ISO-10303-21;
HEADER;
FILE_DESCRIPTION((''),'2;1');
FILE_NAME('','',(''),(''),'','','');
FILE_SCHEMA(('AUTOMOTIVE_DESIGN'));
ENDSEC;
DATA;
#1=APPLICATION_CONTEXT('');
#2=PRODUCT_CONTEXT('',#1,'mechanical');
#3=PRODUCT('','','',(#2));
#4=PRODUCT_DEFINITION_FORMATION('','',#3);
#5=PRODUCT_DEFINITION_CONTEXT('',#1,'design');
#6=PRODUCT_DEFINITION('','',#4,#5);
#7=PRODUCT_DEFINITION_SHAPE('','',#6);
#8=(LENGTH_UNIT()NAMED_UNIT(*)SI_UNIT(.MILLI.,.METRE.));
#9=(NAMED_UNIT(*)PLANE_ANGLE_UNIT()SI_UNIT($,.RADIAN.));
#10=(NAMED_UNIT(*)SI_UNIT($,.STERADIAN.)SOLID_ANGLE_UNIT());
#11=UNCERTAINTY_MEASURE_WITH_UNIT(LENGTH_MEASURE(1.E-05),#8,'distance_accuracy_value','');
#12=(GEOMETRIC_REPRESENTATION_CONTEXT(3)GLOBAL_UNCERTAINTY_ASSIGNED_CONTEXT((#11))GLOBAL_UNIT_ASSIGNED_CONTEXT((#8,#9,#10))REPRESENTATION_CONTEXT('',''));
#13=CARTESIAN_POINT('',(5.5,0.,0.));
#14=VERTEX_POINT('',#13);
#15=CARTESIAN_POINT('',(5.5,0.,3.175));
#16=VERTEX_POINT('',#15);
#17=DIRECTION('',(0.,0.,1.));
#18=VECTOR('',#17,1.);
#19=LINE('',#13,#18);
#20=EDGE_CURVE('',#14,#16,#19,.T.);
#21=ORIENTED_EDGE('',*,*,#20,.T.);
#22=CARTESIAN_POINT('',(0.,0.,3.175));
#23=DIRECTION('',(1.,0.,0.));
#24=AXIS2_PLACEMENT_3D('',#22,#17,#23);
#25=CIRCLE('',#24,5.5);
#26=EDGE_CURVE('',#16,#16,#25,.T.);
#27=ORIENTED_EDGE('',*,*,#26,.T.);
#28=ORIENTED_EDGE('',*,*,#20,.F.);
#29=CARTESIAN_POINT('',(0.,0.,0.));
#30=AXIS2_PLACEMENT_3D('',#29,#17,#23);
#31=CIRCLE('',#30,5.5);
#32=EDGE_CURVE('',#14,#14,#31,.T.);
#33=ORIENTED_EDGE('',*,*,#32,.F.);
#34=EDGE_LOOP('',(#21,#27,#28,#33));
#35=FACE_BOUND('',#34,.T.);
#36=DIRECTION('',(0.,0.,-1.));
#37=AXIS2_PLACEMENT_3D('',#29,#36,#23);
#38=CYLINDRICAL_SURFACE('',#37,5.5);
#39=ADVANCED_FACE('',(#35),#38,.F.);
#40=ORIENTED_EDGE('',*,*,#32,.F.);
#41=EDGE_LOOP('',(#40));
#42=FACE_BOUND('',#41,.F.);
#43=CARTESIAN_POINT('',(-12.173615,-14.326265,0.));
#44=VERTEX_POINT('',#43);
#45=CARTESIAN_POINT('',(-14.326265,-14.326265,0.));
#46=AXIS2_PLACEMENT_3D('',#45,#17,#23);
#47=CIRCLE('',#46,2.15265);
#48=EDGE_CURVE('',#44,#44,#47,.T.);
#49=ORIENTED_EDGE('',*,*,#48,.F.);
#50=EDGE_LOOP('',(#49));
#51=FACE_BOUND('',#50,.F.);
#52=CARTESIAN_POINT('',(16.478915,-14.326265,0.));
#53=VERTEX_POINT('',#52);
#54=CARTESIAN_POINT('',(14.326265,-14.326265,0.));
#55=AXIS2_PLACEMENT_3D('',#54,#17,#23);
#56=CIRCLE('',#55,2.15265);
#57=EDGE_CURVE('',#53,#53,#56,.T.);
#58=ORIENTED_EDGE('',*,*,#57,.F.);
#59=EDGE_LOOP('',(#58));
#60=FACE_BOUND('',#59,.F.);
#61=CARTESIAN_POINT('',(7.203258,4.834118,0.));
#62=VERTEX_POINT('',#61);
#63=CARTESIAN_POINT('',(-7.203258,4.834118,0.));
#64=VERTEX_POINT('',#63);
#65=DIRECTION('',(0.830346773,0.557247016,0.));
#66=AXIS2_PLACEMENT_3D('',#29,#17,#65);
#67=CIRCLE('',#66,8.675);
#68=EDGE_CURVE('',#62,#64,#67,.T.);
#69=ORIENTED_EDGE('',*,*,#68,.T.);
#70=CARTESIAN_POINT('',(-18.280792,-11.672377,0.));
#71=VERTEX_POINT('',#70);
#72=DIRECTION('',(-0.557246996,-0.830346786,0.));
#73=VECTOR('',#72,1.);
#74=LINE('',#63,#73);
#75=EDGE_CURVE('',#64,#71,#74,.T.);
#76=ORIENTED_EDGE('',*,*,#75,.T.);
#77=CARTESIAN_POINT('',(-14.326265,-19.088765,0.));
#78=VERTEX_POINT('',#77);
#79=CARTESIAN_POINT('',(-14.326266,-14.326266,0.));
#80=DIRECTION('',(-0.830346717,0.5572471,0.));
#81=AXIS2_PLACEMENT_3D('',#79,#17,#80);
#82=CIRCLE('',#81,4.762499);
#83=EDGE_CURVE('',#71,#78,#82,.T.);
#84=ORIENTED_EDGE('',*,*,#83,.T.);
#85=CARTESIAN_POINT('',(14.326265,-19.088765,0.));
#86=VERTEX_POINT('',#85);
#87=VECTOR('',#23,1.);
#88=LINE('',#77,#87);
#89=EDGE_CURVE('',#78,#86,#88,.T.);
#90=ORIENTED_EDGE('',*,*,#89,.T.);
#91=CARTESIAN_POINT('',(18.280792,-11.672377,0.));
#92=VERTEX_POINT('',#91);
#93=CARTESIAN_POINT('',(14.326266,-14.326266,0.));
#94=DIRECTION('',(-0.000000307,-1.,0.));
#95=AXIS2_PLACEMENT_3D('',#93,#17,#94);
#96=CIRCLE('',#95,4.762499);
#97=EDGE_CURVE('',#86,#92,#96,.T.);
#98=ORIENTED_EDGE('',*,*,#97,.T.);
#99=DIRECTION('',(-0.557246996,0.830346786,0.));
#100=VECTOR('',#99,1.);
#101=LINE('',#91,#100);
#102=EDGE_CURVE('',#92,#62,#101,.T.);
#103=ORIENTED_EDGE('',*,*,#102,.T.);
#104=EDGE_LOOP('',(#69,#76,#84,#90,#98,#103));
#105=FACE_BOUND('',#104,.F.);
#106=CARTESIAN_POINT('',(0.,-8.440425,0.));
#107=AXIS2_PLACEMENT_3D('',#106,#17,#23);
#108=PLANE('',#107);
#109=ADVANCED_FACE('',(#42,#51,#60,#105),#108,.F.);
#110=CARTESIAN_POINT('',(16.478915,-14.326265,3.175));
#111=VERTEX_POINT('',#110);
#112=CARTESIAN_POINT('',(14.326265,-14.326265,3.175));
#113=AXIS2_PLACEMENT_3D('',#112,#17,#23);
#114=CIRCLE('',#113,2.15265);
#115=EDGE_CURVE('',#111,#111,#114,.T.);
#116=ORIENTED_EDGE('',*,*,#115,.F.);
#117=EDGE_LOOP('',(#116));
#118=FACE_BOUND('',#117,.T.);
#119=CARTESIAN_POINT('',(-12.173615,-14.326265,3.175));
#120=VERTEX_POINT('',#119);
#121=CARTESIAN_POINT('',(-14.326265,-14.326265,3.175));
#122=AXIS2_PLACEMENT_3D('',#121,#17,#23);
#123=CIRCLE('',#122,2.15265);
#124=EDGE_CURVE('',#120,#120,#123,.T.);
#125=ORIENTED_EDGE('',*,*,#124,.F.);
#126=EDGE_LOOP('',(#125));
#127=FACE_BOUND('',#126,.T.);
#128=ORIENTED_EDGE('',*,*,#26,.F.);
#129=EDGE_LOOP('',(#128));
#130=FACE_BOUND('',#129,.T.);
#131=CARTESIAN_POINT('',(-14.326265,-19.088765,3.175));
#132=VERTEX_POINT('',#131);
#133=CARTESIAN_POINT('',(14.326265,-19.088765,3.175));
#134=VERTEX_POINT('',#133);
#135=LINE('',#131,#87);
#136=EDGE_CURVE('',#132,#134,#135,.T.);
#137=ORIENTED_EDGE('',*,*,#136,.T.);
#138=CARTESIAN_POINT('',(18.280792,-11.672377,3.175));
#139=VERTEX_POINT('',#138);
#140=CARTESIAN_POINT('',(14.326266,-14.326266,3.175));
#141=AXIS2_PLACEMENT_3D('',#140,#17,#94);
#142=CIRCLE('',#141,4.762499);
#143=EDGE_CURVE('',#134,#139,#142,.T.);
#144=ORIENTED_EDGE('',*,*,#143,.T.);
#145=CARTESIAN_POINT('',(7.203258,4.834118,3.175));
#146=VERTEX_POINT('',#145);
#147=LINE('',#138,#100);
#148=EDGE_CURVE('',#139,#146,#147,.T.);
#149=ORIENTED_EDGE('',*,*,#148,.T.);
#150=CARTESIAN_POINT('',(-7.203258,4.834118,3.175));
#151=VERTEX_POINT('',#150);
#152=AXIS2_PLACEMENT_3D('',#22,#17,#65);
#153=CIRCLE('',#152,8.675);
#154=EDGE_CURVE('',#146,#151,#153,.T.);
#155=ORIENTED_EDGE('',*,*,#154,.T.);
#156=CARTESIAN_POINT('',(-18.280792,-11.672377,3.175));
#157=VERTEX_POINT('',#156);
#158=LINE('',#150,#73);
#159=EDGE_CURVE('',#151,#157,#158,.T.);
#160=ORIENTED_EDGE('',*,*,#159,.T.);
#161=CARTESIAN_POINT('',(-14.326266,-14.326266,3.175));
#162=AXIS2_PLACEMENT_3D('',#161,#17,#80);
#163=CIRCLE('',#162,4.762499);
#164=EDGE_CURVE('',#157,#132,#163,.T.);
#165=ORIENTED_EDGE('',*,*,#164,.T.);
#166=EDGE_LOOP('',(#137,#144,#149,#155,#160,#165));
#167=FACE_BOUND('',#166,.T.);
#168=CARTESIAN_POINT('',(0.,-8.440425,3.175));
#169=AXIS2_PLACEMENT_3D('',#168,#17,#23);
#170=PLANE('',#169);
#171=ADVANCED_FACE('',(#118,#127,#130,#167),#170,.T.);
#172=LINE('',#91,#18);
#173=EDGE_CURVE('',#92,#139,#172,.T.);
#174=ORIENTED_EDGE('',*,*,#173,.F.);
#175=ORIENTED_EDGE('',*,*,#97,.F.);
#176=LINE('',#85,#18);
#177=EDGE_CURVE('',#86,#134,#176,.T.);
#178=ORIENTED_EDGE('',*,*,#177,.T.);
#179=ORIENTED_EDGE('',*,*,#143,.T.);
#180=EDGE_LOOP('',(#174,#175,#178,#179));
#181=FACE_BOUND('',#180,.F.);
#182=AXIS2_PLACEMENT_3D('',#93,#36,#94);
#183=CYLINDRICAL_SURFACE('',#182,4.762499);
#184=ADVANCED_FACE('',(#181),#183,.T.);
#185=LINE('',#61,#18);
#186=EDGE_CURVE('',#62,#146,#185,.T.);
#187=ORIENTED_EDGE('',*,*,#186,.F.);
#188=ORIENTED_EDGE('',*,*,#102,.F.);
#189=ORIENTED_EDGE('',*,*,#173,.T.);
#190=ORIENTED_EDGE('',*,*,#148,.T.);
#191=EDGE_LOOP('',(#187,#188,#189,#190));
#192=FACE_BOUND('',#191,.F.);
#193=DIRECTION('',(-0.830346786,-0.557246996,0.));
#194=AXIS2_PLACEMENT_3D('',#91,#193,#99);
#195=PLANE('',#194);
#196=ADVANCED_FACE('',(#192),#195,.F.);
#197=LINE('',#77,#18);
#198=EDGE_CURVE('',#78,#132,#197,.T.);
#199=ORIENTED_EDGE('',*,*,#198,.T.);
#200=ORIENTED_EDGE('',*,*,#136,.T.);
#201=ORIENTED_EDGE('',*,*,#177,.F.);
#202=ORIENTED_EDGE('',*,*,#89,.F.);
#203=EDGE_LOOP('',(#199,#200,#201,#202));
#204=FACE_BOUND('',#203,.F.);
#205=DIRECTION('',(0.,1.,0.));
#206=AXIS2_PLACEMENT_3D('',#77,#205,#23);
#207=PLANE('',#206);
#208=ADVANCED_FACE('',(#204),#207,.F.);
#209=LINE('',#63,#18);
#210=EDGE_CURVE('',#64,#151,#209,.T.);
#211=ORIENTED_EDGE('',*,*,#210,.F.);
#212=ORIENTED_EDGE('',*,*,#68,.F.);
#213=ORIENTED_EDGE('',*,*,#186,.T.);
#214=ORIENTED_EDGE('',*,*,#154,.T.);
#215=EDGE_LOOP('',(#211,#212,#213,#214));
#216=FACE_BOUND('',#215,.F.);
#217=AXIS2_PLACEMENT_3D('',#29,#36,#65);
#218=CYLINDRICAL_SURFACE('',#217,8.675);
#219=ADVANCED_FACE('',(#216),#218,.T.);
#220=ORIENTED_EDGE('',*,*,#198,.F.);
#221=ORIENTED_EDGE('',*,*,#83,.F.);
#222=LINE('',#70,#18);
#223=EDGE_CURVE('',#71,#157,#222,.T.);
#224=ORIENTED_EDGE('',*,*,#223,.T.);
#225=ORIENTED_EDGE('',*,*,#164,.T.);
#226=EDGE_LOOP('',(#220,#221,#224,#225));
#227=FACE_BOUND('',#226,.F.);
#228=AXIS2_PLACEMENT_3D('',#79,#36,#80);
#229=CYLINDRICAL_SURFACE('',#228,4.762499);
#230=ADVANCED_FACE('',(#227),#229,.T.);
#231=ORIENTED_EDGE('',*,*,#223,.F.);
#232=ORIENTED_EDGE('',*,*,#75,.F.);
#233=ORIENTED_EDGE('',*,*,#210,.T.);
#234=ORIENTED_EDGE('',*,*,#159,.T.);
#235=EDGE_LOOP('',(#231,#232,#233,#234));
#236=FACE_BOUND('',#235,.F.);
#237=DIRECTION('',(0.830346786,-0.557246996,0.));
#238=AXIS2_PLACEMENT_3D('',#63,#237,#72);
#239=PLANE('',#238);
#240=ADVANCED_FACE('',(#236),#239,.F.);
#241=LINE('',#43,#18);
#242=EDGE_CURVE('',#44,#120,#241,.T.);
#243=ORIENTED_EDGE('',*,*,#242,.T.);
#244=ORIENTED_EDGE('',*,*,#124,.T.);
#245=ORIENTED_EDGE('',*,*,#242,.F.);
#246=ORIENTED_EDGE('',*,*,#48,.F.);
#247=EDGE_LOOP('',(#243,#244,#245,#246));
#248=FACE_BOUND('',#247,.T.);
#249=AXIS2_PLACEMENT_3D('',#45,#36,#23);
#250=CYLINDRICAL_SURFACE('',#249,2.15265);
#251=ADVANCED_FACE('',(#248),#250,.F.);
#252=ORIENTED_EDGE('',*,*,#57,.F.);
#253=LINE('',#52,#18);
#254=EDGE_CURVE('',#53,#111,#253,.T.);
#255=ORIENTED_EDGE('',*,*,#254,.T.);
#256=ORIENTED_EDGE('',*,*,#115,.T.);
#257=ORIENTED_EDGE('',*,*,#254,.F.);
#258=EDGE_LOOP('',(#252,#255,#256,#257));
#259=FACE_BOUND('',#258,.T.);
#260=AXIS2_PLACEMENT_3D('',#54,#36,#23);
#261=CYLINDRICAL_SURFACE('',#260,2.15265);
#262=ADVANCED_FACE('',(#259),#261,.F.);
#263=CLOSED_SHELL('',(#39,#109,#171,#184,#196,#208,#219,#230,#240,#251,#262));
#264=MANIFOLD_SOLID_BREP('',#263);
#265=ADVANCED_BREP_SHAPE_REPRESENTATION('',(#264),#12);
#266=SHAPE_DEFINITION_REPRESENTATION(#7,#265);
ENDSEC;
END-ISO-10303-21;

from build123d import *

# Parameters (mm, degrees)
F0_R     = 2.15265
F0_R_2   = 5.5
F1_DEPTH = 3.175


with BuildPart() as f1:
    # F0 (on Top) → F1 (new body)
    with BuildSketch(Plane.XY):
        with BuildLine():
            Line((18.280792, -11.672377), (7.203258, 4.834118))
            ThreePointArc((7.203258, 4.834118), (0, 8.675), (-7.203258, 4.834118))
            Line((-7.203258, 4.834118), (-18.280792, -11.672377))
            ThreePointArc((-18.280792, -11.672377), (-18.528679, -16.567053), (-14.326265, -19.088765))
            Line((-14.326265, -19.088765), (14.326265, -19.088765))
            ThreePointArc((14.326265, -19.088765), (18.528679, -16.567053), (18.280792, -11.672377))
        make_face()
        with Locations((-14.326265, -14.326265)):
            Circle(F0_R, mode=Mode.SUBTRACT)
        with Locations((14.326265, -14.326265)):
            Circle(F0_R, mode=Mode.SUBTRACT)
        Circle(F0_R_2, mode=Mode.SUBTRACT)
    extrude(amount=F1_DEPTH)


solid = f1.part
